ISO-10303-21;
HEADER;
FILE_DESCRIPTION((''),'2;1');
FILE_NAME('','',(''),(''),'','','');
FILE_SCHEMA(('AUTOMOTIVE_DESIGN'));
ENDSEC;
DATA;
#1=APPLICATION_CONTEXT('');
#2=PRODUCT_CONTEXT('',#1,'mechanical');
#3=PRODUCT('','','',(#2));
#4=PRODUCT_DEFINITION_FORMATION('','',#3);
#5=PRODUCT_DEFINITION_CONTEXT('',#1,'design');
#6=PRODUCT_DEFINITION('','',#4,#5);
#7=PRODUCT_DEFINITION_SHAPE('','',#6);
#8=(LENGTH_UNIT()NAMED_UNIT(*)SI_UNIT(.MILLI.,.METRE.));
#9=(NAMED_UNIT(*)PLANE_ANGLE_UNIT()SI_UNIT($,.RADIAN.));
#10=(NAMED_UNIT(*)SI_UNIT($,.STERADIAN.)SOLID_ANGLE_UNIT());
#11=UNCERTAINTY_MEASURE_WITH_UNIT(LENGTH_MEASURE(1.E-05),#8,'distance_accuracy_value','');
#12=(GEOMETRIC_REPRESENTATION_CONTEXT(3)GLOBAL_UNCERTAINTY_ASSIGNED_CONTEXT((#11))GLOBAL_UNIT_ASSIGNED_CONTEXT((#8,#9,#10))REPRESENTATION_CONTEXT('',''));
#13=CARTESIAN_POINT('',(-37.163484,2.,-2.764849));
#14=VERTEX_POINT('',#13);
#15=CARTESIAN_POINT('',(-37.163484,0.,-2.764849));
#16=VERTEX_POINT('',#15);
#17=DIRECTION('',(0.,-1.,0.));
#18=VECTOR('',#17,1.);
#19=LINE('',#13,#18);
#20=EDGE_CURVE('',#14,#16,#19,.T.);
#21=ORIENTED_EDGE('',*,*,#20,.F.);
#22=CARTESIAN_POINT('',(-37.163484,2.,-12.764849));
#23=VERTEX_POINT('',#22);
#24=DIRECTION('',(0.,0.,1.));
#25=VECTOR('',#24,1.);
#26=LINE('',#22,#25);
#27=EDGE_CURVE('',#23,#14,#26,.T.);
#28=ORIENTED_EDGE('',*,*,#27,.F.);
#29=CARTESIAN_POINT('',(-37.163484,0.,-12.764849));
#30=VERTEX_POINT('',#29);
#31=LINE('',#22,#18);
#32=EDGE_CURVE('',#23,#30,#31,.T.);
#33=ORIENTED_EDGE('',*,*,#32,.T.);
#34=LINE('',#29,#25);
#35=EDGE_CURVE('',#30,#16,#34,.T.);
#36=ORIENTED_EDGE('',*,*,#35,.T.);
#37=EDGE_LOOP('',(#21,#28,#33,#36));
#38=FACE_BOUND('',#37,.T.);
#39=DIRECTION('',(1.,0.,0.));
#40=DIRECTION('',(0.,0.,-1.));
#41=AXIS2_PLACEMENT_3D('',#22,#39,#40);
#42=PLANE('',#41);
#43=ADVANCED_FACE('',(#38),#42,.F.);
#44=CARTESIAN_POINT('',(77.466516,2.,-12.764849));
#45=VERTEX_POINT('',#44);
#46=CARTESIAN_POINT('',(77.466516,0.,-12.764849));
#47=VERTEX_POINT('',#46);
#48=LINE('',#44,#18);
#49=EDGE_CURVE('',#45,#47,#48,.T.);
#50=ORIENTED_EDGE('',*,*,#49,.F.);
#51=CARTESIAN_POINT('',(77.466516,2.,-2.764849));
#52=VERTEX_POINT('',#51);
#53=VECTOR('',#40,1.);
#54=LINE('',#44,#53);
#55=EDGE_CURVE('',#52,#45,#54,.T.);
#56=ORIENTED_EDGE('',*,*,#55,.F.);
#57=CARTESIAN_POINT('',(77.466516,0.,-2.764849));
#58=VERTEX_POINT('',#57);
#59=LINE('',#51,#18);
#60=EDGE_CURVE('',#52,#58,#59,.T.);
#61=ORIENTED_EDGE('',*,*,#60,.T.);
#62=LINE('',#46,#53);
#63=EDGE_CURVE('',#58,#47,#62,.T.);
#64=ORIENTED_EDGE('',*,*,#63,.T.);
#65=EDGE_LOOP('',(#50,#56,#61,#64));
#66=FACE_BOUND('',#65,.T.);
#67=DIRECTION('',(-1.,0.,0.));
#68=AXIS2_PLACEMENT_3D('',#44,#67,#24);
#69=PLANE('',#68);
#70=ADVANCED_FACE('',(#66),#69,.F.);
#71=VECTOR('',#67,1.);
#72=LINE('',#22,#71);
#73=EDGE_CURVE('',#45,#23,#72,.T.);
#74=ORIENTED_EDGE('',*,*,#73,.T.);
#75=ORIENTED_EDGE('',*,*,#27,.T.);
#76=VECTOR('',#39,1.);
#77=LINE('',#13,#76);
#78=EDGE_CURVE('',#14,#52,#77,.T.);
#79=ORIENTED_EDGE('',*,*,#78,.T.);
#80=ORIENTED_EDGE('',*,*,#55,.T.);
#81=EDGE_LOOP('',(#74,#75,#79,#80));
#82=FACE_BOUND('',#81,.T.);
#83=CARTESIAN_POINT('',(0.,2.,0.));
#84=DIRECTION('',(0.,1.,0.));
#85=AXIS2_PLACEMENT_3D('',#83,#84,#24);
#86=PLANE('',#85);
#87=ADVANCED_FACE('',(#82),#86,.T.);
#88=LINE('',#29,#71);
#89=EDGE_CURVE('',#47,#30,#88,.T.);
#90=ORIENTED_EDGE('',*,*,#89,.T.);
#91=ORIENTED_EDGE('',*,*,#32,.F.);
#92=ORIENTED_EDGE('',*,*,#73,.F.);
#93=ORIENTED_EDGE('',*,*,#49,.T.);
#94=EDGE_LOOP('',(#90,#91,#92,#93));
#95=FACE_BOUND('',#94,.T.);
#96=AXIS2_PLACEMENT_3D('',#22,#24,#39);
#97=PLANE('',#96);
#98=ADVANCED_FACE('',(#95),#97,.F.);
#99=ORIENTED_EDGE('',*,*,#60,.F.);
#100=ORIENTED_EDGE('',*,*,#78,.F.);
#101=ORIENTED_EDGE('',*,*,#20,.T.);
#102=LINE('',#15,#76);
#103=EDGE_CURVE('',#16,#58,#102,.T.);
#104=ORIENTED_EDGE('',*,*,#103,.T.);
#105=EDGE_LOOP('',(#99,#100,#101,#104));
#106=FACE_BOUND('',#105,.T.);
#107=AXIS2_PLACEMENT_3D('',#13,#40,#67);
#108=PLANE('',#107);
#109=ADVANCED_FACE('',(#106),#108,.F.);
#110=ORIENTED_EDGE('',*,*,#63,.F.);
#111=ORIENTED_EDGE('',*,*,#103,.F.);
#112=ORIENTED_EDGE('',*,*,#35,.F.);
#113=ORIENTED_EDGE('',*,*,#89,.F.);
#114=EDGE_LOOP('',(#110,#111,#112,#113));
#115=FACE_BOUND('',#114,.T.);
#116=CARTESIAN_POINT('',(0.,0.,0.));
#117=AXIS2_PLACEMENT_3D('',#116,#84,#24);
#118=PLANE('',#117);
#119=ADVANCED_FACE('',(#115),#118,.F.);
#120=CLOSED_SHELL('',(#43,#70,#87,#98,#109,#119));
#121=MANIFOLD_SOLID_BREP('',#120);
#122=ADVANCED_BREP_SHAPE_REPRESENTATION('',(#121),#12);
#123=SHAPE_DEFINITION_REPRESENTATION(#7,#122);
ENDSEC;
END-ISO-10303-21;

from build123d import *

# Parameters (mm, degrees)
SKETCH_1_W      = 114.63
SKETCH_1_H      = 10
EXTRUDE_1_DEPTH = 2


with BuildPart() as part:
    # 草图1 → 凸台-拉伸1 (new body)
    with BuildSketch(Plane(origin=(0, 0, 0), x_dir=(1, 0, 0), z_dir=(0, 1, 0))):
        with Locations((20.151516418, 7.764848709)):
            Rectangle(SKETCH_1_W, SKETCH_1_H)
    extrude(amount=EXTRUDE_1_DEPTH)


solid = part.part
